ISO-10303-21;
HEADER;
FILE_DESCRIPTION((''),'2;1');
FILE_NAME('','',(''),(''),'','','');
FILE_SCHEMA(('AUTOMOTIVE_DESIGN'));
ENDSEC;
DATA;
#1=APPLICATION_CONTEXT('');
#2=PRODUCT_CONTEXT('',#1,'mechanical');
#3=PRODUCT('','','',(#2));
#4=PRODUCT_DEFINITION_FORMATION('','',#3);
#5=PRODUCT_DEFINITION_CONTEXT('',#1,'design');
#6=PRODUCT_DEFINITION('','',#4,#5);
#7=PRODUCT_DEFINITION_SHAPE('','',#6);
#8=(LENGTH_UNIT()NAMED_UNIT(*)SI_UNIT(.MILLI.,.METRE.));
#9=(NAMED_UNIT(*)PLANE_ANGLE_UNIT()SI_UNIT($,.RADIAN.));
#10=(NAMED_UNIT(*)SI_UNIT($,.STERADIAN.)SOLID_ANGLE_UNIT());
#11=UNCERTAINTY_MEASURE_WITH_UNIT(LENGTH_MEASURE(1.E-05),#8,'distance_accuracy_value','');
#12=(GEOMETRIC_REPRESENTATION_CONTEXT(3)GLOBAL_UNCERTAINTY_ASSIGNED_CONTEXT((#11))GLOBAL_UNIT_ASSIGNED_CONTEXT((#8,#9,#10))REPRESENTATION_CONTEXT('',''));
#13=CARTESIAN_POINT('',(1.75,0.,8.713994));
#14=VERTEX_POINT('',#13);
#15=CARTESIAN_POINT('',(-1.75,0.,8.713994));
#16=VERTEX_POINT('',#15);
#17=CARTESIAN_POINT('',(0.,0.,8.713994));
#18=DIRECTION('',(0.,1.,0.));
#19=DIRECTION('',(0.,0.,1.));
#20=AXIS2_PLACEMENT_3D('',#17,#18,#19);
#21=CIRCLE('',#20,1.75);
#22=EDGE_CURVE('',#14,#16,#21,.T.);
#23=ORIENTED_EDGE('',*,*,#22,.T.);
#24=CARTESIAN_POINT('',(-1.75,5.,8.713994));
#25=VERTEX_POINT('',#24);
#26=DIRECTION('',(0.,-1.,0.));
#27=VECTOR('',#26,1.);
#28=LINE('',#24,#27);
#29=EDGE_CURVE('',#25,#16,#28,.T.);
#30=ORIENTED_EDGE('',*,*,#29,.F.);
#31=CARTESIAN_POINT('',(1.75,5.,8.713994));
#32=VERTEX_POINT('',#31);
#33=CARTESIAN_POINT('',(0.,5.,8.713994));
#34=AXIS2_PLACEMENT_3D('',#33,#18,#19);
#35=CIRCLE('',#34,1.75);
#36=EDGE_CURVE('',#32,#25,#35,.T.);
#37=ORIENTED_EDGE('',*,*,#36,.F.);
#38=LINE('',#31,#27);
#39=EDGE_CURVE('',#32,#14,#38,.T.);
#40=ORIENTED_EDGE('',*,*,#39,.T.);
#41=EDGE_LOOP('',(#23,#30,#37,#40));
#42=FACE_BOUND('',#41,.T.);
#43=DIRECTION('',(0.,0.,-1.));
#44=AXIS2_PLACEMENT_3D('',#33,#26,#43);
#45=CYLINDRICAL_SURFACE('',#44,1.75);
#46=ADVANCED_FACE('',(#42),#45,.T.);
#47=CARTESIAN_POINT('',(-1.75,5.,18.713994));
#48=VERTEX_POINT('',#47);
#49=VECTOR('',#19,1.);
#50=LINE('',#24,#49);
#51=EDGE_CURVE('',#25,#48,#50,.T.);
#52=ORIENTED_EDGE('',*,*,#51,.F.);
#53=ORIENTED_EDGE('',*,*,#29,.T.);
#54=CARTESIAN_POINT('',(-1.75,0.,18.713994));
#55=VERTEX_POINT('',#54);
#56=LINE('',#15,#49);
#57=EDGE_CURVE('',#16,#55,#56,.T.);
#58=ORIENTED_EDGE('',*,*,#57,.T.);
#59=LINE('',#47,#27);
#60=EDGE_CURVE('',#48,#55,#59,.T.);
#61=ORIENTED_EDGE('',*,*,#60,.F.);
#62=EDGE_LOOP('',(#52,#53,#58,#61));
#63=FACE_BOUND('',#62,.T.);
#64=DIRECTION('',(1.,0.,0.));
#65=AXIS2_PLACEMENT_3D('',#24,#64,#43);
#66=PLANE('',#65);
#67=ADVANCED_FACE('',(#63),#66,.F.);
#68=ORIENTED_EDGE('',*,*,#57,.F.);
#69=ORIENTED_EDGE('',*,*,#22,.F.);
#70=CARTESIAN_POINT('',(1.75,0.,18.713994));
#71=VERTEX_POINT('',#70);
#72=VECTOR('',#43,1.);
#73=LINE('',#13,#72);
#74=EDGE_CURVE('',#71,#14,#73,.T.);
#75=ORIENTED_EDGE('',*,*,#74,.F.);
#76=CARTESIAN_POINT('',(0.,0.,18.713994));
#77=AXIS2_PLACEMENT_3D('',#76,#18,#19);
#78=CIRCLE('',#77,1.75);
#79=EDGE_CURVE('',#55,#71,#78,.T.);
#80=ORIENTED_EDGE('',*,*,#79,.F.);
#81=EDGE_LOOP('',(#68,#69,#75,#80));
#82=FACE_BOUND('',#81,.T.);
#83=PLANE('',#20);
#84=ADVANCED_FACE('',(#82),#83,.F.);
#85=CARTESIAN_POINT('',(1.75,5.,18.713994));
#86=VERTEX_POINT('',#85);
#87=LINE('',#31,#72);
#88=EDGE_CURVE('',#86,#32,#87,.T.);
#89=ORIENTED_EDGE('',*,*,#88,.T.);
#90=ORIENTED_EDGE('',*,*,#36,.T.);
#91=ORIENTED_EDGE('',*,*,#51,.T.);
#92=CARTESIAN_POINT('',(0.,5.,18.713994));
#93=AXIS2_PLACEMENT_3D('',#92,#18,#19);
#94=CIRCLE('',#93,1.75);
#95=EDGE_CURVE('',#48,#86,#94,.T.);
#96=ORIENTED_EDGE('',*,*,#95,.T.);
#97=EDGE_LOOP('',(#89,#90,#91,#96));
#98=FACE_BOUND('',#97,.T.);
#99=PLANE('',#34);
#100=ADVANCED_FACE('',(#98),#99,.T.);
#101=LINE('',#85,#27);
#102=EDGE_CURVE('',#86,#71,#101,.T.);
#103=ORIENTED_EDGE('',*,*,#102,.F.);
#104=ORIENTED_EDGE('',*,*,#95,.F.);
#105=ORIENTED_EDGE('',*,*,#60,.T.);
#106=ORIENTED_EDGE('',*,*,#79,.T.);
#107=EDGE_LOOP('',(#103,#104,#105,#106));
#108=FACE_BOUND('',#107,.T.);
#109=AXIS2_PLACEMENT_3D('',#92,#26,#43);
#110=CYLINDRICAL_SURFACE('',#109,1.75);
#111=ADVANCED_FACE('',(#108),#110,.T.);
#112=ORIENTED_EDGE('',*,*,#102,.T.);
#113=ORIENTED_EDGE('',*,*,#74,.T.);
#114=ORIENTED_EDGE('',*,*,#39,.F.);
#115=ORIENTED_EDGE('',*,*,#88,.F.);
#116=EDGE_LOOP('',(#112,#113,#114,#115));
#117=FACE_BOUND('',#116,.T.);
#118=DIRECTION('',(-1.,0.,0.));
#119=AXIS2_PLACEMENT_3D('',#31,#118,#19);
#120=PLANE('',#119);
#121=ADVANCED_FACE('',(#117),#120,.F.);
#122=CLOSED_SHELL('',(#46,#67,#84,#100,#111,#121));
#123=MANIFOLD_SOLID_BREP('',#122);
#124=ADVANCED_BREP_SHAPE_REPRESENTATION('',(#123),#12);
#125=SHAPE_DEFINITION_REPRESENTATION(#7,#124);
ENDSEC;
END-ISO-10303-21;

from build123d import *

# Parameters (mm, degrees)
BOSS_EXTRUDE1_DEPTH = 5


with BuildPart() as part:
    # Sketch3 → Boss-Extrude1 (new body)
    with BuildSketch(Plane(origin=(0, 0, 0), x_dir=(1, 0, 0), z_dir=(0, 1, 0))):
        with BuildLine():
            Line((1.75, -8.713994071), (1.75, -18.713994071))
            ThreePointArc((1.75, -18.713994071), (0, -20.463994071), (-1.75, -18.713994071))
            Line((-1.75, -18.713994071), (-1.75, -8.713994071))
            ThreePointArc((-1.75, -8.713994071), (0, -6.963994071), (1.75, -8.713994071))
        make_face()
    extrude(amount=BOSS_EXTRUDE1_DEPTH)


solid = part.part
